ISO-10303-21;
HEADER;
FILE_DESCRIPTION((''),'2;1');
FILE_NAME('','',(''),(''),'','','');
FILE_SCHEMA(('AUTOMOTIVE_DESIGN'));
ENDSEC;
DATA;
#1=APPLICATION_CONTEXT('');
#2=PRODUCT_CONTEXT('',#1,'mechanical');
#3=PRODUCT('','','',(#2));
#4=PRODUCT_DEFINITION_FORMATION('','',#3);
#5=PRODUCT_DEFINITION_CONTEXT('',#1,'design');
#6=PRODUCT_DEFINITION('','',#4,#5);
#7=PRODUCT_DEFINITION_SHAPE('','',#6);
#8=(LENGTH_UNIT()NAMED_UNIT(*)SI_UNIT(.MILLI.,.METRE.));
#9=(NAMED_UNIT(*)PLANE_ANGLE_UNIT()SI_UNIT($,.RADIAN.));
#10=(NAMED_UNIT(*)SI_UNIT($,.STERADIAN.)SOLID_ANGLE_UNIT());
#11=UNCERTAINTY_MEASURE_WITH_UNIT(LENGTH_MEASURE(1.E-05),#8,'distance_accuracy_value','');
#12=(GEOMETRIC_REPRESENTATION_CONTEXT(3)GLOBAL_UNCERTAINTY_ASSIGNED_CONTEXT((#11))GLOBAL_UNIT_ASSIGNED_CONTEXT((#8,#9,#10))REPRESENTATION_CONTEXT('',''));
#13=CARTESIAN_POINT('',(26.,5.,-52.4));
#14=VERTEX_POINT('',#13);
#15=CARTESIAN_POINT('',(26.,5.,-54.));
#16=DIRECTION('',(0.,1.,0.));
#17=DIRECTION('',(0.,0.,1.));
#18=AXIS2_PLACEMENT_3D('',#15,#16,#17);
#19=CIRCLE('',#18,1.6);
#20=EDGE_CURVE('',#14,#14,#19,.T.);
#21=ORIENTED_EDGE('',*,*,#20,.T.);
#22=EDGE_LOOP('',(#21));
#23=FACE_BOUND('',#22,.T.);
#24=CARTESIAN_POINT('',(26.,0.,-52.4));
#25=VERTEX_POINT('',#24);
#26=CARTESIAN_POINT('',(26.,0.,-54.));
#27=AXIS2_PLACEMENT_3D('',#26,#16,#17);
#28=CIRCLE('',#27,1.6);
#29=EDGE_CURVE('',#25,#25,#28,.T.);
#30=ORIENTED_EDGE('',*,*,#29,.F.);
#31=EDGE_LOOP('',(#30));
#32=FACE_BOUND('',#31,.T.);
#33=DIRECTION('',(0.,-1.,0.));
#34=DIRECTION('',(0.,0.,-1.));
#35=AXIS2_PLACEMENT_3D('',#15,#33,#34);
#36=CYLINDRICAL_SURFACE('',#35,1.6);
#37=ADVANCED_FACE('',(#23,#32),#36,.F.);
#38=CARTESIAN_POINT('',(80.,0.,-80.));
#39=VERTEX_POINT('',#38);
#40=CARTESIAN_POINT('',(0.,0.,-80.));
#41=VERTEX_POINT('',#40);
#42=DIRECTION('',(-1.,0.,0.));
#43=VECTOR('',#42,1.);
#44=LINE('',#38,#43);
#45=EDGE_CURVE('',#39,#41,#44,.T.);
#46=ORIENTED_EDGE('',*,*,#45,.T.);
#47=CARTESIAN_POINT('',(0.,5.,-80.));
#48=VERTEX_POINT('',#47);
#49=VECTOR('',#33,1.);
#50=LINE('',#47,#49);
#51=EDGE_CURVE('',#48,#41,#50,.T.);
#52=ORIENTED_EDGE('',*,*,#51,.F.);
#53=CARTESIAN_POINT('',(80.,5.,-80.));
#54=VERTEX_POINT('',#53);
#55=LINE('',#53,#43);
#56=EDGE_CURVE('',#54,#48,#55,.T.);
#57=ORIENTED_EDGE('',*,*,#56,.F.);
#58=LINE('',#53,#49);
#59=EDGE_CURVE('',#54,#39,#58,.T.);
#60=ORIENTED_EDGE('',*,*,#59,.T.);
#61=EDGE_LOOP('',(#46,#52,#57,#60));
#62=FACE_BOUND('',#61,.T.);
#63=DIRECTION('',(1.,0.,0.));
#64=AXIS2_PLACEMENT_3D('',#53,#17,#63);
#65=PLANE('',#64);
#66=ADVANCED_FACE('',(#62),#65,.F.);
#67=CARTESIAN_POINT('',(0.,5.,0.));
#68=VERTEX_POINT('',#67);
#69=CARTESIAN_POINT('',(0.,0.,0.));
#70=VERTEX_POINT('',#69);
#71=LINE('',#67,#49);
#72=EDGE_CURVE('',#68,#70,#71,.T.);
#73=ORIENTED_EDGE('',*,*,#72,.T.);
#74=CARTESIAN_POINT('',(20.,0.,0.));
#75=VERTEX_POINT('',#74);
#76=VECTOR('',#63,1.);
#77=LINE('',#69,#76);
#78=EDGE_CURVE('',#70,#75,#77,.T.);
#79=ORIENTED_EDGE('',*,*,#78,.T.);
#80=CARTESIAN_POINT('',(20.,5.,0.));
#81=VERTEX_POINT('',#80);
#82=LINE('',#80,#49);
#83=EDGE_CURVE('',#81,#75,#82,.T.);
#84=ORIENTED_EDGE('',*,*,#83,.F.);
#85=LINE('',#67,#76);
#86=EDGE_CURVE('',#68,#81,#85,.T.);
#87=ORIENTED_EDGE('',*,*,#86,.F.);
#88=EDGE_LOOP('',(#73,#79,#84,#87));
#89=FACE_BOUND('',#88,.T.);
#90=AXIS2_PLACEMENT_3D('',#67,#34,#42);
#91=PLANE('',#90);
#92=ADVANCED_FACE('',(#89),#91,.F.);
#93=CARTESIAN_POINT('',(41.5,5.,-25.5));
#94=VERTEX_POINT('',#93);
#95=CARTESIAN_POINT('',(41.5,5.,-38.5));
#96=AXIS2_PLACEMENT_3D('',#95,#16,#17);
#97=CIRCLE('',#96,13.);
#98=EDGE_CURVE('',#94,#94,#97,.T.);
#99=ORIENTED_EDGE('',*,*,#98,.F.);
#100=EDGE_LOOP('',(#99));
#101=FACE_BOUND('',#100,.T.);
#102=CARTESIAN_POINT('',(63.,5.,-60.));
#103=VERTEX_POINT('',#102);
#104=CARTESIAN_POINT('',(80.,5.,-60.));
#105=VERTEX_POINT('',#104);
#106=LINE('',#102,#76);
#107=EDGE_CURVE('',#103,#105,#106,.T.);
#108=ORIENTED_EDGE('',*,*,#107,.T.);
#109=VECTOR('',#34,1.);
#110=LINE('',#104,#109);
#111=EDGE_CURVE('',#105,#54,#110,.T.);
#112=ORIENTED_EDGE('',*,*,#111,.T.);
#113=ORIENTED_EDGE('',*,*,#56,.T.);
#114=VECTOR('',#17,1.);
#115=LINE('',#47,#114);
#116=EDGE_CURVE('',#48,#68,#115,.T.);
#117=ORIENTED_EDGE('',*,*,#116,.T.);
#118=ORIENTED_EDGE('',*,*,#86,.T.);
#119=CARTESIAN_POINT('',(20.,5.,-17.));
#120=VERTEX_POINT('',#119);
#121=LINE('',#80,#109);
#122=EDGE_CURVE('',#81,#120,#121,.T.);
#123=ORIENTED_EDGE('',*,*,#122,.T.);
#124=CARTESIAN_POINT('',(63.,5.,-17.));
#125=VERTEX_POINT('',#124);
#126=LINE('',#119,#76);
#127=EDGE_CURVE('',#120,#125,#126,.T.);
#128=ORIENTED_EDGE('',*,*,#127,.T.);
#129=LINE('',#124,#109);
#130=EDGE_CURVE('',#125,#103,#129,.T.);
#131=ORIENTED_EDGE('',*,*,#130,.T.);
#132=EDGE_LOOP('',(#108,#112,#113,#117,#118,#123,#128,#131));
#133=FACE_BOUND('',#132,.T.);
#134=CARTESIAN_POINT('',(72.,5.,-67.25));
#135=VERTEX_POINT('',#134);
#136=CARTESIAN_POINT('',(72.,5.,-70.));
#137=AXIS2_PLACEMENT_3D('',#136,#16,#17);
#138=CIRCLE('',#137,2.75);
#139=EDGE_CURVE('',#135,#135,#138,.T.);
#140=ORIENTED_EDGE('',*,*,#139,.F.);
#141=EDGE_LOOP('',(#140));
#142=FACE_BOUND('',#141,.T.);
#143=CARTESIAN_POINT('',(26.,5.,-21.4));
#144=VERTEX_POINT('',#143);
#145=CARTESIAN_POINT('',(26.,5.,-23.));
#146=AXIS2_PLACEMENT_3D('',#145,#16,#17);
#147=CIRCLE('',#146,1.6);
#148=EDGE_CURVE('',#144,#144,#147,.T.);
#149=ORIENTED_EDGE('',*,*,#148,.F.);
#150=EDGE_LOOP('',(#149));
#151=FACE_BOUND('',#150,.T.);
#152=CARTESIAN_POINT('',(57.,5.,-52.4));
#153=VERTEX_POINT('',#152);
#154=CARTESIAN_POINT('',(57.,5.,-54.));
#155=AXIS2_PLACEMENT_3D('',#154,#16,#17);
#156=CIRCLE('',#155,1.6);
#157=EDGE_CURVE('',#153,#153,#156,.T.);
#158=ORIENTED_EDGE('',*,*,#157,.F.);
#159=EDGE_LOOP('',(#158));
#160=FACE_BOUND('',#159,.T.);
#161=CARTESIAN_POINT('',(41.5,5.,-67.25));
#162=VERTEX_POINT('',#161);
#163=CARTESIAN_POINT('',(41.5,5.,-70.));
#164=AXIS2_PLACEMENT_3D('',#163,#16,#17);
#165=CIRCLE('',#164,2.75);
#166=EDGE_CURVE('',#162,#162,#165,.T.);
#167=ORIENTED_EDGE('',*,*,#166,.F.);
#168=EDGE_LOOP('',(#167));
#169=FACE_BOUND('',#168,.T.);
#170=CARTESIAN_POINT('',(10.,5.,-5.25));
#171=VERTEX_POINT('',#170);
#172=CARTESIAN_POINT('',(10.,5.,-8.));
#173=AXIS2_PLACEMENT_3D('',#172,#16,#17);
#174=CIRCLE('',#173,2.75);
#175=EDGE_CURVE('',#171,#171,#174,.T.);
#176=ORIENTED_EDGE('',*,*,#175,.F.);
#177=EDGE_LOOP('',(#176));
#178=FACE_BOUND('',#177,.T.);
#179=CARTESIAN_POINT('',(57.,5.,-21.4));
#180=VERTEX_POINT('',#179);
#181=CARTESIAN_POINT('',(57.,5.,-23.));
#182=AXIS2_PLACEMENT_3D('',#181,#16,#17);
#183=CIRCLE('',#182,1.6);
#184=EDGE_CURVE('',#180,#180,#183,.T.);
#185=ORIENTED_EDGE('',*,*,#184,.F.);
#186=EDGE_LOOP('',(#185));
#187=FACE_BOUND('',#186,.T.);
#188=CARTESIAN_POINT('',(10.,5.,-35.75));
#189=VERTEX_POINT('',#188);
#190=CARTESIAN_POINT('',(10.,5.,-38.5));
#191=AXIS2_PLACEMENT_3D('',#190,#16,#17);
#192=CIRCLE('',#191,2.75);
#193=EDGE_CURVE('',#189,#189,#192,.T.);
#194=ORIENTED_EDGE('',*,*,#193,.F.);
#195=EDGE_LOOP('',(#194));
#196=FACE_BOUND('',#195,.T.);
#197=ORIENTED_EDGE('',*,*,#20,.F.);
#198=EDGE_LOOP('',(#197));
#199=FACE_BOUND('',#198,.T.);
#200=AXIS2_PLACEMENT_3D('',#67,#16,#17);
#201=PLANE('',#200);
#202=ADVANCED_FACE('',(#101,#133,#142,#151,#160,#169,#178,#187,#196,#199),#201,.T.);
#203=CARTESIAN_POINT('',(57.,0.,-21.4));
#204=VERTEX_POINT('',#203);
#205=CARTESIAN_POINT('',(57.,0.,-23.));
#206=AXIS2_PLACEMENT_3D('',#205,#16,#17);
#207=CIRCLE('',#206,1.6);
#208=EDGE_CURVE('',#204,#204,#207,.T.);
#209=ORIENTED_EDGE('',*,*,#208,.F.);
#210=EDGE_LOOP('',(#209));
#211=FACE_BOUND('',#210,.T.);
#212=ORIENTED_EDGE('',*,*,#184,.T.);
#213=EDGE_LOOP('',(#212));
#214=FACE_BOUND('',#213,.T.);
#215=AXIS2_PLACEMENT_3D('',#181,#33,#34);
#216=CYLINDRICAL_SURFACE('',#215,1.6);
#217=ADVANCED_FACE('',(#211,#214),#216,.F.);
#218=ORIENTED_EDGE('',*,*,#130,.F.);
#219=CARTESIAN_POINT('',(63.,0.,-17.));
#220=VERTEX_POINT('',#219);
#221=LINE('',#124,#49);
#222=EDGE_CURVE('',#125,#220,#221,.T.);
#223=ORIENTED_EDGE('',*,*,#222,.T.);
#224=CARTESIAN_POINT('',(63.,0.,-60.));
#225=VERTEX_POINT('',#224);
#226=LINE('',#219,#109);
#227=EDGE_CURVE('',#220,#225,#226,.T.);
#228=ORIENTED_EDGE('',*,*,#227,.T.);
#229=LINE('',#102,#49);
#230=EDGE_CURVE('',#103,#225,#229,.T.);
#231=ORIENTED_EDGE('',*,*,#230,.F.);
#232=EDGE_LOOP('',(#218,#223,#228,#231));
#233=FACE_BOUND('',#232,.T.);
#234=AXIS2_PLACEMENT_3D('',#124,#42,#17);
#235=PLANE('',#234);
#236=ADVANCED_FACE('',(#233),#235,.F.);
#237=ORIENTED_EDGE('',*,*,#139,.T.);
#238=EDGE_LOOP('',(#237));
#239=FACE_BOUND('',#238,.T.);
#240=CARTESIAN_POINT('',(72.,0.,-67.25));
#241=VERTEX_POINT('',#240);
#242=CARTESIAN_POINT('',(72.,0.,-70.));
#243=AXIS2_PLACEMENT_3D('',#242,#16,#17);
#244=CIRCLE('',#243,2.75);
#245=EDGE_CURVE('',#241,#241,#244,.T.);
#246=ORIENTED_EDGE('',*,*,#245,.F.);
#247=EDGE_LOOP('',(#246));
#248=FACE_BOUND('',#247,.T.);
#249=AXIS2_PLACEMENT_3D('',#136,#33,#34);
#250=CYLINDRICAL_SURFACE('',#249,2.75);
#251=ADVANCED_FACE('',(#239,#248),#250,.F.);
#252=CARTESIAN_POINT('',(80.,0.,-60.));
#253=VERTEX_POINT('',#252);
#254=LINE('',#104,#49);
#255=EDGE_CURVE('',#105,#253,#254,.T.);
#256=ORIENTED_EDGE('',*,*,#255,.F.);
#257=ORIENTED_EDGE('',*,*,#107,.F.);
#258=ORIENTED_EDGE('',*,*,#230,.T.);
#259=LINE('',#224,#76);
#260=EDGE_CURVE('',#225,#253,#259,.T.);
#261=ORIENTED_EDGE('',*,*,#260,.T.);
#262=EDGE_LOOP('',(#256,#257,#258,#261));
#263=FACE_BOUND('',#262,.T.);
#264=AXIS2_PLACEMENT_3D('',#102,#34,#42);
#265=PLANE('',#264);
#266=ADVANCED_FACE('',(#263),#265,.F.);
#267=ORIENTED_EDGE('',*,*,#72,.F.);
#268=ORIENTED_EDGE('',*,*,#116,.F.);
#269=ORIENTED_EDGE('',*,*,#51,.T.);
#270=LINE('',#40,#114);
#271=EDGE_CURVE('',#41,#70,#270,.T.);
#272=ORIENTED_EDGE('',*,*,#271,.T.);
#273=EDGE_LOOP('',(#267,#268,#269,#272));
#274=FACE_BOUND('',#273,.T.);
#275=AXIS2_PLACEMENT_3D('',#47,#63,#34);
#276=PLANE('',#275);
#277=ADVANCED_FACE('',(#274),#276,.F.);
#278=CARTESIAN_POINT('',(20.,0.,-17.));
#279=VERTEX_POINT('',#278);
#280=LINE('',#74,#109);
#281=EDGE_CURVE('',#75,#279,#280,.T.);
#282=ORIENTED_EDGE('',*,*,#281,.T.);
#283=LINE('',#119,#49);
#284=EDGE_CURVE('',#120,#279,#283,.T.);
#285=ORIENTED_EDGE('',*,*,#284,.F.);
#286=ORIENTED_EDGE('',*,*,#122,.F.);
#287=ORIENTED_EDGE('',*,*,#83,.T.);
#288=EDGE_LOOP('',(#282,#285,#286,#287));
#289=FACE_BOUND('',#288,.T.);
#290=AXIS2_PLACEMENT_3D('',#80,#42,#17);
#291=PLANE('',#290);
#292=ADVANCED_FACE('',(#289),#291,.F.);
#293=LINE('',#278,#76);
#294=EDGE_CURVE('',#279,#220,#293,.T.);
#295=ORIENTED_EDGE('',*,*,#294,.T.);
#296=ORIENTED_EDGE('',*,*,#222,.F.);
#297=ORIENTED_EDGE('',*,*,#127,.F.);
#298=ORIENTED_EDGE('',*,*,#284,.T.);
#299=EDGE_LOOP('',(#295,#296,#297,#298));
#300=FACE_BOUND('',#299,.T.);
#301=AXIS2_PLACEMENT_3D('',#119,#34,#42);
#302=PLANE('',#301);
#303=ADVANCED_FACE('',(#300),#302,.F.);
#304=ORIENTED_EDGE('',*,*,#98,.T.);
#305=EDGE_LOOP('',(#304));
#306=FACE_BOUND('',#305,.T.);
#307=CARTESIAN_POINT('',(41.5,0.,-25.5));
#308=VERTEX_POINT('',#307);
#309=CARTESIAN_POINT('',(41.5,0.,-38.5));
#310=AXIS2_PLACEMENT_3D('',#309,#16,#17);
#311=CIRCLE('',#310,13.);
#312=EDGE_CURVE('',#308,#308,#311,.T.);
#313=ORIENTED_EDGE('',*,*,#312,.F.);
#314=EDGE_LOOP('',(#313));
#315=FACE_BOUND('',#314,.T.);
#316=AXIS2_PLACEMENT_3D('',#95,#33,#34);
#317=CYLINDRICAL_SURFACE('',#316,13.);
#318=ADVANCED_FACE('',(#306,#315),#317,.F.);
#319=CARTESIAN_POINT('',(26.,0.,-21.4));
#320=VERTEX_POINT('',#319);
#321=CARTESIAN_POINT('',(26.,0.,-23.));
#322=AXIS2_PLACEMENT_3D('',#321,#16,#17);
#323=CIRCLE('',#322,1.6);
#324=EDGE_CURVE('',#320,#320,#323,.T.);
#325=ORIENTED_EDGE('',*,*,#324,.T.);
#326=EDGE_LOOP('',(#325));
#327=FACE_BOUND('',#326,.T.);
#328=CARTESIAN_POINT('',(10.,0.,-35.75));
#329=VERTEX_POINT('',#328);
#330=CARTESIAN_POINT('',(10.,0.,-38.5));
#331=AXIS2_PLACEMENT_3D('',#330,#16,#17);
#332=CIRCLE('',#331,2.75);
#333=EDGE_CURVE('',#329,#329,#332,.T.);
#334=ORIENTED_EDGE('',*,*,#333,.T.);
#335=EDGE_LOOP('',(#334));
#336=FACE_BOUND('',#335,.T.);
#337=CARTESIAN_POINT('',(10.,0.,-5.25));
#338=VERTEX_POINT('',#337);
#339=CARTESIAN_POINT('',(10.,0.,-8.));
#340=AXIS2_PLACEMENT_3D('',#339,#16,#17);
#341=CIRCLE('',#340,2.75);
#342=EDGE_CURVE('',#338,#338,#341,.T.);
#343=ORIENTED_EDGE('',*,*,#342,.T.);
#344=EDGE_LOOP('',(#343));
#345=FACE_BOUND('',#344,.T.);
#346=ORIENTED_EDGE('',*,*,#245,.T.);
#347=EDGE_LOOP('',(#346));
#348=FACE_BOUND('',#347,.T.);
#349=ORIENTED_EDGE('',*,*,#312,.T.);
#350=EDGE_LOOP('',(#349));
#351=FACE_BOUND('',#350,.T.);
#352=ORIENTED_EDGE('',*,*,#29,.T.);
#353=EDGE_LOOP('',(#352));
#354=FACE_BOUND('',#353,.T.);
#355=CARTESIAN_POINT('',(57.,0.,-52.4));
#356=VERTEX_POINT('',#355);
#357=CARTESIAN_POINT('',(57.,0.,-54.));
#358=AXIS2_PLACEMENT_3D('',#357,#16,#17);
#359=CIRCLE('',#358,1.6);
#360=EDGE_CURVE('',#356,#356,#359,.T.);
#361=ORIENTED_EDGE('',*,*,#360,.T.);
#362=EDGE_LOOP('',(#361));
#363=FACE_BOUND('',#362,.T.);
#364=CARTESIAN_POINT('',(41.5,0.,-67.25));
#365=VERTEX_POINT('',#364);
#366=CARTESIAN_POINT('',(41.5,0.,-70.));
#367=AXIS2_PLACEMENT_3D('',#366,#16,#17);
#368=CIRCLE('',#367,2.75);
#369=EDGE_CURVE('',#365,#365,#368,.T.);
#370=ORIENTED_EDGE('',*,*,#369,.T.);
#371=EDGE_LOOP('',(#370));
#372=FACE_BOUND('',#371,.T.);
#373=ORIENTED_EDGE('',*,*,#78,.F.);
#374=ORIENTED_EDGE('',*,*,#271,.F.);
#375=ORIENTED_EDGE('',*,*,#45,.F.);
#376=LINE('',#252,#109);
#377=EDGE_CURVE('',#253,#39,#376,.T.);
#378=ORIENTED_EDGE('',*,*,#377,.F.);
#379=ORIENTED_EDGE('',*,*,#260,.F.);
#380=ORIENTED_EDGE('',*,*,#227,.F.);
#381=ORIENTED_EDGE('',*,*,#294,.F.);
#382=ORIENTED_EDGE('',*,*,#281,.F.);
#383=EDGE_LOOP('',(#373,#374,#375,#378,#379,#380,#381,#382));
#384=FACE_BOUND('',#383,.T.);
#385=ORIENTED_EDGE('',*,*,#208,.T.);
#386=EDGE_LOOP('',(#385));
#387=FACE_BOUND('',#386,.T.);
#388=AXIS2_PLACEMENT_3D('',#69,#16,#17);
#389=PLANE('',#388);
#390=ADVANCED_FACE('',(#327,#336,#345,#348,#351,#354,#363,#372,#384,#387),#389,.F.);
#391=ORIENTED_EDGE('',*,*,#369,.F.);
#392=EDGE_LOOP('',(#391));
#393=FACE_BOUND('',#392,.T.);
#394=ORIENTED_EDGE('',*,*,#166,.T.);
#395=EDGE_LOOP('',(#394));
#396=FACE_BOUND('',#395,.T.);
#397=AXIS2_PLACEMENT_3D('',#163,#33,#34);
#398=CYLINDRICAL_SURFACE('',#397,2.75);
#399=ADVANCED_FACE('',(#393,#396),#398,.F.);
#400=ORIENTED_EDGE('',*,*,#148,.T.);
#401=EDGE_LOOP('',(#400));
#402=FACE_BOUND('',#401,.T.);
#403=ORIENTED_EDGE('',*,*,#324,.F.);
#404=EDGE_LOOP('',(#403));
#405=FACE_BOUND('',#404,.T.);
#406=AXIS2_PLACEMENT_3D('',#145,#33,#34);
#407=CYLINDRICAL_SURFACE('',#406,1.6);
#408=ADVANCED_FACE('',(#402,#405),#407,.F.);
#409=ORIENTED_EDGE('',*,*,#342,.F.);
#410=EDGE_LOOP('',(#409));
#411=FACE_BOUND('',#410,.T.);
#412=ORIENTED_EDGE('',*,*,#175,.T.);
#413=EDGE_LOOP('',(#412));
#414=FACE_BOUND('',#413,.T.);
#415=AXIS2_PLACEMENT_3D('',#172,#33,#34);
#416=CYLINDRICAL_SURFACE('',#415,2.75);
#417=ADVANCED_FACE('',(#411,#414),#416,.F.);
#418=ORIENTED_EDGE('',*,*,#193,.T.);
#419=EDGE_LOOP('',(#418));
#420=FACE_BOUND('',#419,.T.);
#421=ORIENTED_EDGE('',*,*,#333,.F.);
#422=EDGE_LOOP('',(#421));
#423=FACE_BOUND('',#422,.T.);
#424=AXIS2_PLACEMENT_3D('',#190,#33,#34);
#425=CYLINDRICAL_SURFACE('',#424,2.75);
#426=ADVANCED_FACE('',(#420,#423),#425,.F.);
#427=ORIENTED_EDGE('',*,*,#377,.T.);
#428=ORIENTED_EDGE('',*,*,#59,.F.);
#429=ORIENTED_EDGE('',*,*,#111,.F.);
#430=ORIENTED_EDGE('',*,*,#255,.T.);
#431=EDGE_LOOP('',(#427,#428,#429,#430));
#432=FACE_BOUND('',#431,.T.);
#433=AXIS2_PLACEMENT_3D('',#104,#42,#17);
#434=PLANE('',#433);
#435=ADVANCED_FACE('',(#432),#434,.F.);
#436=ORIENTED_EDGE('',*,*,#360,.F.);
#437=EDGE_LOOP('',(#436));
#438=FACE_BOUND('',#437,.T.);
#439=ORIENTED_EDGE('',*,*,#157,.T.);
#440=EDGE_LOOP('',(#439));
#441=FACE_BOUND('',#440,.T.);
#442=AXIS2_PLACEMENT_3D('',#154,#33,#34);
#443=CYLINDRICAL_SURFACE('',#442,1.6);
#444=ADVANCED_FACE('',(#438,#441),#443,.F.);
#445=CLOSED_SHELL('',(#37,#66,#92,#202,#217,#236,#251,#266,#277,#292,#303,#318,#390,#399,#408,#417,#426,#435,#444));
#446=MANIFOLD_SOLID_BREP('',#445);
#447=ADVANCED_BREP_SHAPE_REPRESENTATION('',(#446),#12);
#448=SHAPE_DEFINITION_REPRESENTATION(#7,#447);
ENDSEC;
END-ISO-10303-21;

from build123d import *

# Parameters (mm, degrees)
SKETCH2_R           = 1.6
SKETCH2_R_2         = 13
SKETCH2_R_3         = 2.75
BOSS_EXTRUDE1_DEPTH = 5


with BuildPart() as part:
    # Sketch2 → Boss-Extrude1 (new body)
    with BuildSketch(Plane(origin=(0, 0, 0), x_dir=(1, 0, 0), z_dir=(0, 1, 0))):
        Polygon((0, 0), (20, 0), (20, 17), (63, 17), (63, 60), (80, 60), (80, 80), (0, 80), align=None)
        with Locations((57, 23)):
            Circle(SKETCH2_R, mode=Mode.SUBTRACT)
        with Locations((57, 54)):
            Circle(SKETCH2_R, mode=Mode.SUBTRACT)
        with Locations((26, 23)):
            Circle(SKETCH2_R, mode=Mode.SUBTRACT)
        with Locations((26, 54)):
            Circle(SKETCH2_R, mode=Mode.SUBTRACT)
        with Locations((41.5, 38.5)):
            Circle(SKETCH2_R_2, mode=Mode.SUBTRACT)
        with Locations((10, 8)):
            Circle(SKETCH2_R_3, mode=Mode.SUBTRACT)
        with Locations((72, 70)):
            Circle(SKETCH2_R_3, mode=Mode.SUBTRACT)
        with Locations((41.5, 70)):
            Circle(SKETCH2_R_3, mode=Mode.SUBTRACT)
        with Locations((10, 38.5)):
            Circle(SKETCH2_R_3, mode=Mode.SUBTRACT)
    extrude(amount=BOSS_EXTRUDE1_DEPTH)


solid = part.part
